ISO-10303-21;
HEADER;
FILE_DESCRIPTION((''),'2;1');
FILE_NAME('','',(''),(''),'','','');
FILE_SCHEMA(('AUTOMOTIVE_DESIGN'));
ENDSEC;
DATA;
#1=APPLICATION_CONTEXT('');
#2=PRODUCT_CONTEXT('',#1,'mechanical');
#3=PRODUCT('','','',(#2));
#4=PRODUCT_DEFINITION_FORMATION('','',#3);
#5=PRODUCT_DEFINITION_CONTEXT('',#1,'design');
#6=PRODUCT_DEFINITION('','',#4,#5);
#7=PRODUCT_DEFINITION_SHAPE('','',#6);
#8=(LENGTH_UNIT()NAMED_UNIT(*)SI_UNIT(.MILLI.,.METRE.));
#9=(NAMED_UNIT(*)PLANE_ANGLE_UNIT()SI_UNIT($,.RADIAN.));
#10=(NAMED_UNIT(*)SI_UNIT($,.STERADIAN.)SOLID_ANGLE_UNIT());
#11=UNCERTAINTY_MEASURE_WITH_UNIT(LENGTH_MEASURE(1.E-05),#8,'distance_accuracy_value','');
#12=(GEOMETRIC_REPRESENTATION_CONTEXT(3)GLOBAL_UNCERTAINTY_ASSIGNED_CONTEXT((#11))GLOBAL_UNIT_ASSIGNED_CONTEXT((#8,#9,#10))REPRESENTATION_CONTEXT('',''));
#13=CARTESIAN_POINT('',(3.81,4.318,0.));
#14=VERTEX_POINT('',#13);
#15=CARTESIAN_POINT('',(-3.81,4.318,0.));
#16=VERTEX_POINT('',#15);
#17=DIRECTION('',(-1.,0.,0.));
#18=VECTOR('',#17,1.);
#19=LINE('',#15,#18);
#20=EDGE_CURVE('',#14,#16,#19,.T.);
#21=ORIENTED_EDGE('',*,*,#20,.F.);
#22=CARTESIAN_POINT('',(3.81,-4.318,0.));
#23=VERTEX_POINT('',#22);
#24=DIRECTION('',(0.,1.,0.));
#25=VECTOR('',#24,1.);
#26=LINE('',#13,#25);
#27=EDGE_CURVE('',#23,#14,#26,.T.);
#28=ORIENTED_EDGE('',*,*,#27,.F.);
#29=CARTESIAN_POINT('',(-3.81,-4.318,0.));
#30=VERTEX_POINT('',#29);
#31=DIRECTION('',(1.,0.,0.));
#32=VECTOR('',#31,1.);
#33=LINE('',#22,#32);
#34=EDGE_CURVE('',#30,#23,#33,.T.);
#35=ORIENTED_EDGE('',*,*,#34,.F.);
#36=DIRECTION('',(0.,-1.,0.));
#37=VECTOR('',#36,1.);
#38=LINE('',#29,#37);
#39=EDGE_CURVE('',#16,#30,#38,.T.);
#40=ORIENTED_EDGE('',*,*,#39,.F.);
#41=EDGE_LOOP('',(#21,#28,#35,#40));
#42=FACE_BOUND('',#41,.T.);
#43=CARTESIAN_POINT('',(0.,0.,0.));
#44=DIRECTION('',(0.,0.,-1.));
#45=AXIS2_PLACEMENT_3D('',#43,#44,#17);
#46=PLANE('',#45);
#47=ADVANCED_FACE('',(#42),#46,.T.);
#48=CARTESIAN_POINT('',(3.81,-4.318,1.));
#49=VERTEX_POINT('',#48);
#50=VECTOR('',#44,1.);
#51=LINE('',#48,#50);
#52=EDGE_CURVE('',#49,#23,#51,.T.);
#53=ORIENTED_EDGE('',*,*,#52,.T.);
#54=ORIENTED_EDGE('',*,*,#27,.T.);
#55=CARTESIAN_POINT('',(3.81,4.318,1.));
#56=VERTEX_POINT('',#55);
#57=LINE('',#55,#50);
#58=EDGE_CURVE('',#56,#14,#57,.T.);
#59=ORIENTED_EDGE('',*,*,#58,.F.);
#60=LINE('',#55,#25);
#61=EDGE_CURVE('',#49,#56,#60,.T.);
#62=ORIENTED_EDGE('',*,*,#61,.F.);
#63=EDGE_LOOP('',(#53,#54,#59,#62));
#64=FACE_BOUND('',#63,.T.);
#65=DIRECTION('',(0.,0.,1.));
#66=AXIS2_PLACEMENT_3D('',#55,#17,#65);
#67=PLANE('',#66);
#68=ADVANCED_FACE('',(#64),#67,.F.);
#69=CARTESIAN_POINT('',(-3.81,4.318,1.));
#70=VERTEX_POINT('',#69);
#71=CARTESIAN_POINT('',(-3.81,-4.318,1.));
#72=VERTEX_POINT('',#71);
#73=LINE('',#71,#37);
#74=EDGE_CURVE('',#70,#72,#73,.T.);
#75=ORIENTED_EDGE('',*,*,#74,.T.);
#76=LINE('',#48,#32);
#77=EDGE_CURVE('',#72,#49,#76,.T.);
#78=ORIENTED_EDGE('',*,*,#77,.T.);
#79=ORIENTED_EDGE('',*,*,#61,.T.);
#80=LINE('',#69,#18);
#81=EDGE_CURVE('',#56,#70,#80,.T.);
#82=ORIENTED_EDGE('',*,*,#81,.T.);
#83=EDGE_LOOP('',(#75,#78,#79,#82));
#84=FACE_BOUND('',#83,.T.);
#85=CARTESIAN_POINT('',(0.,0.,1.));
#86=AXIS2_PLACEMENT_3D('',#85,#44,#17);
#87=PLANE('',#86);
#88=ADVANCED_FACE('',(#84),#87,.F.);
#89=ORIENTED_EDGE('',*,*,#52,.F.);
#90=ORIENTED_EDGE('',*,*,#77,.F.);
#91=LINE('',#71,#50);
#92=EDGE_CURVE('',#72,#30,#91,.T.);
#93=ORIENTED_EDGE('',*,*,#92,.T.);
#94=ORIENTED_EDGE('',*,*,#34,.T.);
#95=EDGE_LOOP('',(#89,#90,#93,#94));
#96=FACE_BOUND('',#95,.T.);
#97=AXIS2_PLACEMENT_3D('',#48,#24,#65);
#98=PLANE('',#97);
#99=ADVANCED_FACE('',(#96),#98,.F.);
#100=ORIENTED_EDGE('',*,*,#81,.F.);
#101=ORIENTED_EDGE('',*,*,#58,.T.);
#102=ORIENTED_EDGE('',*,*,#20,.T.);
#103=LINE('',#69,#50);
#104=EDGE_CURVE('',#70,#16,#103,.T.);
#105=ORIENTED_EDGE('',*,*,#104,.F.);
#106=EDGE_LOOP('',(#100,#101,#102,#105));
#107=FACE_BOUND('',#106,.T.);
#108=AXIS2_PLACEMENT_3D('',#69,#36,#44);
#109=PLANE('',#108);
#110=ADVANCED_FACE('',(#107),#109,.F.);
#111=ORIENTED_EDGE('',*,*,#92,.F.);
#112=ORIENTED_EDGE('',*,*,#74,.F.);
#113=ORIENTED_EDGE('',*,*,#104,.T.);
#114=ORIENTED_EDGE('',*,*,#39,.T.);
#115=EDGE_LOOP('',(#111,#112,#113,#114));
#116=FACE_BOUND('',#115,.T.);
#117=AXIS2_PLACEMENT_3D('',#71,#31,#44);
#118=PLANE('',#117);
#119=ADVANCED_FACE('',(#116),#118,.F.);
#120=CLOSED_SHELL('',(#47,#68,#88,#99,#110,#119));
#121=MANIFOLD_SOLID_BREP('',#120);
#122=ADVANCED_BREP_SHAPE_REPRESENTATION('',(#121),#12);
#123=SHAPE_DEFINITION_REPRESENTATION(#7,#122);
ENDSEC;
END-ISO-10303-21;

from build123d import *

# Parameters (mm, degrees)
SKETCH1_W               = 7.62
SKETCH1_H               = 8.636
COMPONENT_OUTLINE_DEPTH = 1


with BuildPart() as part:
    # Sketch1 → Component_Outline (new body)
    with BuildSketch(Plane.XY):
        Rectangle(SKETCH1_W, SKETCH1_H)
    extrude(amount=COMPONENT_OUTLINE_DEPTH)


solid = part.part
